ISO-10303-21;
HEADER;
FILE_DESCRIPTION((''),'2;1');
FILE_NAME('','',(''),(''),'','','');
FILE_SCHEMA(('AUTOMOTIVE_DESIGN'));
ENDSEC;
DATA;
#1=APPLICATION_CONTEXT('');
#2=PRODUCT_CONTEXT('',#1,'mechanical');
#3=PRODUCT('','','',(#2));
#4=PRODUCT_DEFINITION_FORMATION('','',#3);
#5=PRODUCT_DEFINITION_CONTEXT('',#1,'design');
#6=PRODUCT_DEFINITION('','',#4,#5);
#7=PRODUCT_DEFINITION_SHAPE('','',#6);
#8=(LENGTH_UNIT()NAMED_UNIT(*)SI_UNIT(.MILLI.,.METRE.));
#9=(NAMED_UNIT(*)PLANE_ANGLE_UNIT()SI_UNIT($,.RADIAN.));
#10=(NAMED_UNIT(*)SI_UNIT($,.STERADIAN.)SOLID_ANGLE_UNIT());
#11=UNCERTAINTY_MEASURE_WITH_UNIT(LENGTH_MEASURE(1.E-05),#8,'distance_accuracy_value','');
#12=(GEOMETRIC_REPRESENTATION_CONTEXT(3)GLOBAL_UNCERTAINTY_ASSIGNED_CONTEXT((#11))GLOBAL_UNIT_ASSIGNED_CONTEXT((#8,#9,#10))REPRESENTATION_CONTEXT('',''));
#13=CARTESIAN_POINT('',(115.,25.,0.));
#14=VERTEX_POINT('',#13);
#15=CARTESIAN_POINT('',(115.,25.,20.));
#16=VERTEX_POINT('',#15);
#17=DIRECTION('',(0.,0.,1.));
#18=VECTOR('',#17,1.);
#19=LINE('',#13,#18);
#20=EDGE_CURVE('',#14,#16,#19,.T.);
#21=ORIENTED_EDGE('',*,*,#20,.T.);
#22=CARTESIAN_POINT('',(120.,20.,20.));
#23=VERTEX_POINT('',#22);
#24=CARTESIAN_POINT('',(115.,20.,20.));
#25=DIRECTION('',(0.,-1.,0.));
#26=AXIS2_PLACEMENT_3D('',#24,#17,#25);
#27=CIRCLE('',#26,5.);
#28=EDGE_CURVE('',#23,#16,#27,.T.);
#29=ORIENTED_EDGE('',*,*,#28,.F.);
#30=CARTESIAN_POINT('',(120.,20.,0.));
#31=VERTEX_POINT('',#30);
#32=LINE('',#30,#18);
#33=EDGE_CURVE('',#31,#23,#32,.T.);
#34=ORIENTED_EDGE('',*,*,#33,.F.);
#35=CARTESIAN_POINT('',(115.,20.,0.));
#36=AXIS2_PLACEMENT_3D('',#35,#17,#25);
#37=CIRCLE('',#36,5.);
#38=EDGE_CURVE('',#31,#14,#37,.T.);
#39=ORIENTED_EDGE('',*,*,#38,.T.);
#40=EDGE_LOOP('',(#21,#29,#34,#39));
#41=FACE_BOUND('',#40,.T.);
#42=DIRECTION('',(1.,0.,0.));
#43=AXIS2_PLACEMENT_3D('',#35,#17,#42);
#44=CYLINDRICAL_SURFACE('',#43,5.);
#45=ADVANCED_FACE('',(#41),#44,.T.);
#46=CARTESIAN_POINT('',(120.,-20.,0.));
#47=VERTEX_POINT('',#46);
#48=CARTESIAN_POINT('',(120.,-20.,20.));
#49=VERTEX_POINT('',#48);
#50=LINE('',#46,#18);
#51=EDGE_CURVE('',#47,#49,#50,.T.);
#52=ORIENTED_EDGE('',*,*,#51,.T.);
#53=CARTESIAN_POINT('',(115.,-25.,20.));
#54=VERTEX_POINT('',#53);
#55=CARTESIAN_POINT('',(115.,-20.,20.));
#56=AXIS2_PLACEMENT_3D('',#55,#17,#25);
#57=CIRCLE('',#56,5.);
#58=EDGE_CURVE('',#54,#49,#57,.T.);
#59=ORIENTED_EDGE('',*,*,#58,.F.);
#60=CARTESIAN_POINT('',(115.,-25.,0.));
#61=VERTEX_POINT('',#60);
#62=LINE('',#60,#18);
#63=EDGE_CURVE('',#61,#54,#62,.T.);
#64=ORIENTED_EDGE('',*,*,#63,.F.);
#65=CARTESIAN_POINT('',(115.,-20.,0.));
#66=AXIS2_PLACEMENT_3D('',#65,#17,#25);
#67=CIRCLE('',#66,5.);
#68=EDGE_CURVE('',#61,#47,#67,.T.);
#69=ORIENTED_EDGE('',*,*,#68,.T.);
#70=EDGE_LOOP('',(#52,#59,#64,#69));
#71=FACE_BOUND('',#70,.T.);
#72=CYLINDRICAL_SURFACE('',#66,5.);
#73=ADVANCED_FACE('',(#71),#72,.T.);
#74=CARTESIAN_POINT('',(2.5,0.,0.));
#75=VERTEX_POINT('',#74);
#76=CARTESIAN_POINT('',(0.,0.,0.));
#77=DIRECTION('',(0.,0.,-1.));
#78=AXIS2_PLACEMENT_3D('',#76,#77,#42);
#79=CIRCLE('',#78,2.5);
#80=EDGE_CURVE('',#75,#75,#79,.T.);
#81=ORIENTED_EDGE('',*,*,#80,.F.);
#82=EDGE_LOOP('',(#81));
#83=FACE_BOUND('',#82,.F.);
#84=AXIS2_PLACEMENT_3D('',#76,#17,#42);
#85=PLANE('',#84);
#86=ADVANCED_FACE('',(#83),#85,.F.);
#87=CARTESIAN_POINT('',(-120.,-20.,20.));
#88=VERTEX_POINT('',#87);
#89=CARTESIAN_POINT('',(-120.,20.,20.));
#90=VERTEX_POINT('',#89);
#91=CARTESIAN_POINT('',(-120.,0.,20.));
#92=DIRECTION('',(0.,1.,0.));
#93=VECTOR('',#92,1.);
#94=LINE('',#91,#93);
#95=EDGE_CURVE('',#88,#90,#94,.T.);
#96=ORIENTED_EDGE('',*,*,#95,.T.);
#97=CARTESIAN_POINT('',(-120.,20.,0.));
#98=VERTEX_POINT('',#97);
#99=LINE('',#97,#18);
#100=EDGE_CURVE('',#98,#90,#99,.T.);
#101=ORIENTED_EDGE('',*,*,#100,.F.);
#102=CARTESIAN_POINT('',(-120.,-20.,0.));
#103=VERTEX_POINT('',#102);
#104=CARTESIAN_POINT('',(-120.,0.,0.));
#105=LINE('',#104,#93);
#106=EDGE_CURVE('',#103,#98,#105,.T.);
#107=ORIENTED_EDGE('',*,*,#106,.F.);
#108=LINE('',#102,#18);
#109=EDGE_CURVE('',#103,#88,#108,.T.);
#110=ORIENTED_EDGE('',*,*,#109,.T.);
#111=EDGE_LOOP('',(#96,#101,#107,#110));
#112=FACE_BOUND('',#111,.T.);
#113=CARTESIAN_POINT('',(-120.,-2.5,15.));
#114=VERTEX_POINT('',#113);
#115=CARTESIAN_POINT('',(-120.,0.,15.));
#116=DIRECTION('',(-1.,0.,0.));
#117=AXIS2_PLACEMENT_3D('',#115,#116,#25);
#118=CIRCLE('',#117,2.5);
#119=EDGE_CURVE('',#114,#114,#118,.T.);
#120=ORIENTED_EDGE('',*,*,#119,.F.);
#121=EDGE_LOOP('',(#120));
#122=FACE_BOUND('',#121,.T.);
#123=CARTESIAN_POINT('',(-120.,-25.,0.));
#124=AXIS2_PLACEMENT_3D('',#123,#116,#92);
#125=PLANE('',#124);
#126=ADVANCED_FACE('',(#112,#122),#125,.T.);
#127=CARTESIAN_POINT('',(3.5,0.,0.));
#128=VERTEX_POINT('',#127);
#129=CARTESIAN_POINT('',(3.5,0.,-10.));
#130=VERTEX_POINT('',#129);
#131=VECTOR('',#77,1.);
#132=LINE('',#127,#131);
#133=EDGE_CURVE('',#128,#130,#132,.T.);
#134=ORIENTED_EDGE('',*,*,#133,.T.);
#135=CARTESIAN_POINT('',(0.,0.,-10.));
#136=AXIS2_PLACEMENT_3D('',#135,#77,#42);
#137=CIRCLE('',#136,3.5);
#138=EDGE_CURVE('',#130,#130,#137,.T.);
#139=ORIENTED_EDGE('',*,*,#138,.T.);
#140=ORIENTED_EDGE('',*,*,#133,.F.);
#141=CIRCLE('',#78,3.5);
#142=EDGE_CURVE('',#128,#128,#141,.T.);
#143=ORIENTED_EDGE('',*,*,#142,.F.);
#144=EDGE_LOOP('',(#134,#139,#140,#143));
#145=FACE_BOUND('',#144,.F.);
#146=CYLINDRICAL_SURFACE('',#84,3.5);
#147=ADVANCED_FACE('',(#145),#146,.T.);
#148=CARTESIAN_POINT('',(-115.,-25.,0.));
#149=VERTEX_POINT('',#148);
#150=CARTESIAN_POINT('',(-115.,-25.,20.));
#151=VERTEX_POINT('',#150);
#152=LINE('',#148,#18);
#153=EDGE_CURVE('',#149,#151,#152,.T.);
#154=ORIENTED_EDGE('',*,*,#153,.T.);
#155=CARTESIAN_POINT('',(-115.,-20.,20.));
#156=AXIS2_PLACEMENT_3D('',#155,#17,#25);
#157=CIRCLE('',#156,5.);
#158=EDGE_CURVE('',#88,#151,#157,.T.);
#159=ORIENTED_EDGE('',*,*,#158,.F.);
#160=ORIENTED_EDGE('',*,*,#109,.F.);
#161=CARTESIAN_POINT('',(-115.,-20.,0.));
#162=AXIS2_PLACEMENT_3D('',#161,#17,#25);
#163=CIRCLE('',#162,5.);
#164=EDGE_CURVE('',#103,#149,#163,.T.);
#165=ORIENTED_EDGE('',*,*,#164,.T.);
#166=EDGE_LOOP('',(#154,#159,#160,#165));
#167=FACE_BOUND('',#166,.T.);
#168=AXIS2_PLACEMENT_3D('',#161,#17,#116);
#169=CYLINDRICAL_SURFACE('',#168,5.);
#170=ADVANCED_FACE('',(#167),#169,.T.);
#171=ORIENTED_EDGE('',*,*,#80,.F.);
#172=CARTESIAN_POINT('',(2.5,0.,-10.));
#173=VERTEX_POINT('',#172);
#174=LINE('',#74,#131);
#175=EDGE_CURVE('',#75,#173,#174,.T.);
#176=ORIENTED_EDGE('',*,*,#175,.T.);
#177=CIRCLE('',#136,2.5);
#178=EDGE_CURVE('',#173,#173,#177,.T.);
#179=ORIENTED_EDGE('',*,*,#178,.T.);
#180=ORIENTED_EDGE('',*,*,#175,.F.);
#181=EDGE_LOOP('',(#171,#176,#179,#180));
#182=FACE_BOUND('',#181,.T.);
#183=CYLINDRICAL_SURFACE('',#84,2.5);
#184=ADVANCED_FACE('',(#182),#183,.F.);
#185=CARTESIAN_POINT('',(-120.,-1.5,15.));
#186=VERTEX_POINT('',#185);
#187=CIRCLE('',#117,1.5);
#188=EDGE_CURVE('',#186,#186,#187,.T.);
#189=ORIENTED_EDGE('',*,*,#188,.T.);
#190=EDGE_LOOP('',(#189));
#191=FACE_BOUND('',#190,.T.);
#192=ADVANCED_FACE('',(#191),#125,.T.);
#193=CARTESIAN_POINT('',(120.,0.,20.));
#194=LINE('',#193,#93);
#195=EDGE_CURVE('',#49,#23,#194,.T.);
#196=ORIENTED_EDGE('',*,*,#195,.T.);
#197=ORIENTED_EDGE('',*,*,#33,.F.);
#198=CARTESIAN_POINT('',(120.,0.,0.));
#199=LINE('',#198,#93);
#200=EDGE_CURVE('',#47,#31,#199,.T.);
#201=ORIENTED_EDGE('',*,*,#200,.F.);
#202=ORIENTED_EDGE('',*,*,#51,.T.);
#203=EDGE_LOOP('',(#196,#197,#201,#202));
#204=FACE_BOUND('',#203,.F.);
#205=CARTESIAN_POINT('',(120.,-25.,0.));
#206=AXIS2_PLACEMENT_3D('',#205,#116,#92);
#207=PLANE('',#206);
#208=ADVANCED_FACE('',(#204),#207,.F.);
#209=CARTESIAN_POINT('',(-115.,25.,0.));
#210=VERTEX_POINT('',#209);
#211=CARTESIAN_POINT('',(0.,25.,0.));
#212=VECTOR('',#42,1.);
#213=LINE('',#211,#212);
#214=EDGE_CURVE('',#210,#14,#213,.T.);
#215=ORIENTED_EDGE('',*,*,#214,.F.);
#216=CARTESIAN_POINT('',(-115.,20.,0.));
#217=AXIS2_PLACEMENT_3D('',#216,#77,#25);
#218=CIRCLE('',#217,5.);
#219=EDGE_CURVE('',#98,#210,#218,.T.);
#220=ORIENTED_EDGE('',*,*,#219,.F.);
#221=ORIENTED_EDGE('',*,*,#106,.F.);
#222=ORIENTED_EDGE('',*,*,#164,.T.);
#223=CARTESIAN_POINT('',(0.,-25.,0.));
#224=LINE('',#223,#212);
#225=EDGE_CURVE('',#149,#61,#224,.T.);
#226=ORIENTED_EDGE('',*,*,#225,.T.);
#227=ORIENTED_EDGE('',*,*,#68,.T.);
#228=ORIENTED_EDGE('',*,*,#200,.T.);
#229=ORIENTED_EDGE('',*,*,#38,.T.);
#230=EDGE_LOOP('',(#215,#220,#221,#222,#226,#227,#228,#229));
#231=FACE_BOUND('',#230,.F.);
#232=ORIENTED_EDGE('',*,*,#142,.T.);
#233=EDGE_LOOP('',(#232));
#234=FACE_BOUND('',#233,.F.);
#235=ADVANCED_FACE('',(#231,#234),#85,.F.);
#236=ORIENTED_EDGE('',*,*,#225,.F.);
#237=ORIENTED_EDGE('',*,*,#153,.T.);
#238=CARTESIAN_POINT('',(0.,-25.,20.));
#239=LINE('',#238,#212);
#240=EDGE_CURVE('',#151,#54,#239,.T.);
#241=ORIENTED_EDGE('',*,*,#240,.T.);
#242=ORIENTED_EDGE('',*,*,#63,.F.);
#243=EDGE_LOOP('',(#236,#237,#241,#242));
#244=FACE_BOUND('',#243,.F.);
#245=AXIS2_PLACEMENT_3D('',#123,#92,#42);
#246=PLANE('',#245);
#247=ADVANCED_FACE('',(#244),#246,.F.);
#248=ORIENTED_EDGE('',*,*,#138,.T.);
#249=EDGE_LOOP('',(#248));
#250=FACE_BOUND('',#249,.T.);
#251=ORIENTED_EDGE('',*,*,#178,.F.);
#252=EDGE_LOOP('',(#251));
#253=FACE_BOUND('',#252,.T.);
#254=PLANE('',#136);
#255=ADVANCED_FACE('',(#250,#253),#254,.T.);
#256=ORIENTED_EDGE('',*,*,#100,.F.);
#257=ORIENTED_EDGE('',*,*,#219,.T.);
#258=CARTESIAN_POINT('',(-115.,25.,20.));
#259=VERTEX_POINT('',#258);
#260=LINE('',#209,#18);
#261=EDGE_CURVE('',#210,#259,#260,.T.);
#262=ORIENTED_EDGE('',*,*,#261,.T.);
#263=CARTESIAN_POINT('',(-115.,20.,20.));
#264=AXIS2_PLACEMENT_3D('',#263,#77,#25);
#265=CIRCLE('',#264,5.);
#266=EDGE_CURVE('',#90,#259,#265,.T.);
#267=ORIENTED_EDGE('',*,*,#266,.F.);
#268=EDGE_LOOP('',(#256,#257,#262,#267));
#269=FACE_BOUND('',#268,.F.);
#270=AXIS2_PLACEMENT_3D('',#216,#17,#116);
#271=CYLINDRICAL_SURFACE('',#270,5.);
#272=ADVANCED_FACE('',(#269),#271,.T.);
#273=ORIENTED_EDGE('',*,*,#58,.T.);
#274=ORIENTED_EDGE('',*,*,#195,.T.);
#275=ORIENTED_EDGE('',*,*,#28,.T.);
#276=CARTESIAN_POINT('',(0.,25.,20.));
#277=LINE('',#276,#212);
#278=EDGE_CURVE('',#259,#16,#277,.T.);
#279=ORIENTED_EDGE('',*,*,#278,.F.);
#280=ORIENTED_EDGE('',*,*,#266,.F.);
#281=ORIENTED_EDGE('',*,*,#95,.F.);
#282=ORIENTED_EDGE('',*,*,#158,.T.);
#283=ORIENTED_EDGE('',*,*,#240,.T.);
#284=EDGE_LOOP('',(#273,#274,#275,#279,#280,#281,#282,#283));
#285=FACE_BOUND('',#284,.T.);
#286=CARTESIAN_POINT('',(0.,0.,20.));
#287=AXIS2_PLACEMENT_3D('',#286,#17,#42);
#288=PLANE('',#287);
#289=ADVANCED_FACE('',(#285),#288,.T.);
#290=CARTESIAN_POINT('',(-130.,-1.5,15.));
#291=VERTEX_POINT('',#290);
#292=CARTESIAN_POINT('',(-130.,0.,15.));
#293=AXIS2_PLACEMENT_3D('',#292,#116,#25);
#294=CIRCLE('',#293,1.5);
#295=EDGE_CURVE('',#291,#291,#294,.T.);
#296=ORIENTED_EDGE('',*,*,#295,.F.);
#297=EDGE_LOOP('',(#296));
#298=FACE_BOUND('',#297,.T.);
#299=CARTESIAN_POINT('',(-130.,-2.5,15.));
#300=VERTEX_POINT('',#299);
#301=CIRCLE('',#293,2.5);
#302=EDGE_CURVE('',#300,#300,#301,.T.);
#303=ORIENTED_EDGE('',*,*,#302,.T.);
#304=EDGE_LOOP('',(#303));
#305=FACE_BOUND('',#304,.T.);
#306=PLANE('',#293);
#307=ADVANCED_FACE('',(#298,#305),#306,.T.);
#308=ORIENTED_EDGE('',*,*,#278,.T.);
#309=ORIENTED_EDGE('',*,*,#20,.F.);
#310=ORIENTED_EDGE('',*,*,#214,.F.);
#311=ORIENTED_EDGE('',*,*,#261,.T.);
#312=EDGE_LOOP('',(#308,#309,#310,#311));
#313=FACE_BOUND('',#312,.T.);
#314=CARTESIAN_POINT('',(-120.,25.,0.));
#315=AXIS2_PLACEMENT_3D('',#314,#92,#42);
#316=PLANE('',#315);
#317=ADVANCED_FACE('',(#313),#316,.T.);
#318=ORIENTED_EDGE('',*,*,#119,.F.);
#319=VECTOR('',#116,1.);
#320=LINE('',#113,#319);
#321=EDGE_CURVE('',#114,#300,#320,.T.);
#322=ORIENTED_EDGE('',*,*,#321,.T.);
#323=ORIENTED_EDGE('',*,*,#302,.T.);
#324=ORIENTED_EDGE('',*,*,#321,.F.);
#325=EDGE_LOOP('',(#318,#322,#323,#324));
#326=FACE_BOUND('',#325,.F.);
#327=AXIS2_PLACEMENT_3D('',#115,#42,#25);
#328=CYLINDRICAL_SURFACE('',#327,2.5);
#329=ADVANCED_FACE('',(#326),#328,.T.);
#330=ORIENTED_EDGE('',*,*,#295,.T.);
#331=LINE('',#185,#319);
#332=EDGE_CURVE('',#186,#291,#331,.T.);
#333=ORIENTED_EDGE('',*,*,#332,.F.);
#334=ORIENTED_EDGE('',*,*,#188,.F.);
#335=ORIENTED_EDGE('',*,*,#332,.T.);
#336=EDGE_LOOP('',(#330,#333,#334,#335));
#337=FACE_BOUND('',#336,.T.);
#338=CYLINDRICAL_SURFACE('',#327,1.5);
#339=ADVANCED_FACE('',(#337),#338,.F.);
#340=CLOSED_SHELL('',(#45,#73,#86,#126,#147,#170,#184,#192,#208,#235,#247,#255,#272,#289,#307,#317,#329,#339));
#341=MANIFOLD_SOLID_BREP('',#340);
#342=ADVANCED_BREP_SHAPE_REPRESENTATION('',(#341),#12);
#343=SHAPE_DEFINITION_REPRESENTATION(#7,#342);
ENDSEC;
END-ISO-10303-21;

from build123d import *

# Parameters (mm, degrees)
F0_W     = 240
F0_H     = 50
F0_R     = 3.5
F1_DEPTH = 20
F2_R     = 5
F4_R     = 3.5
F4_R_2   = 2.5
F5_DEPTH = 10
F3_R     = 2.5
F3_R_2   = 1.5
F6_DEPTH = 10


with BuildPart() as f1:
    # F0 (on Top) → F1 (new body)
    with BuildSketch(Plane.XY):
        Rectangle(F0_W, F0_H)
        Circle(F0_R, mode=Mode.SUBTRACT)
        Circle(F0_R)
    extrude(amount=F1_DEPTH)

    # F2
    f2_edges = [f1.edges().sort_by_distance(p)[0] for p in [
        (-120, -25, 10),
        (120, -25, 10),
        (120, 25, 10),
        (-120, 25, 10),
    ]]
    fillet(f2_edges, radius=F2_R)

    # F4 (on face) → F5 (join)
    with BuildSketch(Plane(origin=(0, 0, 0), x_dir=(1, 0, 0), z_dir=(0, 0, -1))):
        Circle(F4_R)
        Circle(F4_R_2, mode=Mode.SUBTRACT)
    extrude(amount=F5_DEPTH)

    # F3 (on face) → F6 (join)
    with BuildSketch(Plane(origin=(-120, 0, 0), x_dir=(0, -1, 0), z_dir=(-1, 0, 0))):
        with Locations((0, 15)):
            Circle(F3_R)
        with Locations((0, 15)):
            Circle(F3_R_2, mode=Mode.SUBTRACT)
    extrude(amount=F6_DEPTH)


solid = f1.part
